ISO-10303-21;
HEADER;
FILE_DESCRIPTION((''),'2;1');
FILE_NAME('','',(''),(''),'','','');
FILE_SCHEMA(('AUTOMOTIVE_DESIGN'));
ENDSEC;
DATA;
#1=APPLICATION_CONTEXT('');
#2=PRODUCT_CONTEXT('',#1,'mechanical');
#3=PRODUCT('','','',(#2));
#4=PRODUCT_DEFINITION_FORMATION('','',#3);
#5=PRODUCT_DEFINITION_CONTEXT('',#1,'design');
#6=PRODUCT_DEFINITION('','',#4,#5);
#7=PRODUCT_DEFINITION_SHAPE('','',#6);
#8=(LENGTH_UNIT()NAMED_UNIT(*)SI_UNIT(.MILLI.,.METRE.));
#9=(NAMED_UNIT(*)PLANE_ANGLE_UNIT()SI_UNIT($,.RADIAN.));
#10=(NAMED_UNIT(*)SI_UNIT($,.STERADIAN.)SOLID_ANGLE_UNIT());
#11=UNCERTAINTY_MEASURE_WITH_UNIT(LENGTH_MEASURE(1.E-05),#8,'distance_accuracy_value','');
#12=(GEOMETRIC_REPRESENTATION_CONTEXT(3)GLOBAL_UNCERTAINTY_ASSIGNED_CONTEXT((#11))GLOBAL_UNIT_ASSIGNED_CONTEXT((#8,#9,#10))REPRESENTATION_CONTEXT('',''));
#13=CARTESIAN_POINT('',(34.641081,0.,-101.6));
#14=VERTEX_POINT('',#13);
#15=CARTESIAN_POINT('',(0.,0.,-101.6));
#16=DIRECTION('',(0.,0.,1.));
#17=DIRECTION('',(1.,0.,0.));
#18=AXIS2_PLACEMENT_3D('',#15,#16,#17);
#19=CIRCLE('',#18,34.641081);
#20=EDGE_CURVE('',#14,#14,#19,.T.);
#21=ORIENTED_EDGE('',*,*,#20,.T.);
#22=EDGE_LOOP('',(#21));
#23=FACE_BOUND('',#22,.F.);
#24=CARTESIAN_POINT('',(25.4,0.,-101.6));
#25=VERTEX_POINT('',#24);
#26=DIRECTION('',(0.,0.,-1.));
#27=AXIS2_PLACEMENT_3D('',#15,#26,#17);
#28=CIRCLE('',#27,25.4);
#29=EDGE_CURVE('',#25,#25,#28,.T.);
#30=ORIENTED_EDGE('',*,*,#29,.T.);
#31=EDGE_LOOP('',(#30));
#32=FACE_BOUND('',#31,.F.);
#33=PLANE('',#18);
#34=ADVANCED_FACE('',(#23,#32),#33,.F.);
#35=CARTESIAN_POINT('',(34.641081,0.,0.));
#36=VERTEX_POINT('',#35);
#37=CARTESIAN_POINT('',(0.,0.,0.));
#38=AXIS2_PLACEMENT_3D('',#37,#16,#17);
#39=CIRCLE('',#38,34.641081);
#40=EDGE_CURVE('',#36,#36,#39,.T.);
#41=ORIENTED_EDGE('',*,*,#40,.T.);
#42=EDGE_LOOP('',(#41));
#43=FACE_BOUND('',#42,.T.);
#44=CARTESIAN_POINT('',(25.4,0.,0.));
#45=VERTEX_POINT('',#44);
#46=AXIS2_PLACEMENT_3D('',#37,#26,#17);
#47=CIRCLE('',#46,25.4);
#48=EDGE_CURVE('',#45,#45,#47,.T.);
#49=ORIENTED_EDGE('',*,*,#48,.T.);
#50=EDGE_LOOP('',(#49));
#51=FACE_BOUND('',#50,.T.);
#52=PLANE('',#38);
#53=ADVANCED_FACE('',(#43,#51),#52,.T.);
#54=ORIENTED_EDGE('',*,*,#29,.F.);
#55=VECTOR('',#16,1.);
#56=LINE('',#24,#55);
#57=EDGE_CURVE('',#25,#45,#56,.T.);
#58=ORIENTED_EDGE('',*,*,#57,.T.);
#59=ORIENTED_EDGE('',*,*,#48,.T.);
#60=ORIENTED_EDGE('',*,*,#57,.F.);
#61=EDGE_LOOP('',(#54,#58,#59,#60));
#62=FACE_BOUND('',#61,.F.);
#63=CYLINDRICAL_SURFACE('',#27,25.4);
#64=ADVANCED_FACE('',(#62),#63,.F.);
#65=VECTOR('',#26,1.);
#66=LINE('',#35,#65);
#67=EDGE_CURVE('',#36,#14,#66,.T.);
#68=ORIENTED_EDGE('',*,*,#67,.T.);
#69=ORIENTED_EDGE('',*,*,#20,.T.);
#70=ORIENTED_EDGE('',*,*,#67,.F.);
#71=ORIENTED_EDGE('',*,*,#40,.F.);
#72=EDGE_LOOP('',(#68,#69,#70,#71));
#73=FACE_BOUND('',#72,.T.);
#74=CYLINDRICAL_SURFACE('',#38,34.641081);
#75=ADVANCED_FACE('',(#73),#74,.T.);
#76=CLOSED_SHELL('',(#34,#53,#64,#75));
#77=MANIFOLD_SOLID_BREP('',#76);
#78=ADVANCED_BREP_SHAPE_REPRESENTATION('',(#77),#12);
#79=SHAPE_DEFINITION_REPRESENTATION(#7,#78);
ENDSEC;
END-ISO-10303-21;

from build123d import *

# Parameters (mm, degrees)
F0_R     = 34.641081
F1_DEPTH = 101.6
F2_R     = 25.4
F3_DEPTH = 101.601


with BuildPart() as f1:
    # F0 (on Top) → F1 (new body)
    with BuildSketch(Plane.XY):
        Circle(F0_R)
    extrude(amount=-F1_DEPTH)

    # F2 (on face) → F3 (cut, through all)
    with BuildSketch(Plane(origin=(0, 0, -101.6), x_dir=(1, 0, 0), z_dir=(0, 0, -1))):
        Circle(F2_R)
    extrude(amount=-F3_DEPTH, mode=Mode.SUBTRACT)


solid = f1.part
